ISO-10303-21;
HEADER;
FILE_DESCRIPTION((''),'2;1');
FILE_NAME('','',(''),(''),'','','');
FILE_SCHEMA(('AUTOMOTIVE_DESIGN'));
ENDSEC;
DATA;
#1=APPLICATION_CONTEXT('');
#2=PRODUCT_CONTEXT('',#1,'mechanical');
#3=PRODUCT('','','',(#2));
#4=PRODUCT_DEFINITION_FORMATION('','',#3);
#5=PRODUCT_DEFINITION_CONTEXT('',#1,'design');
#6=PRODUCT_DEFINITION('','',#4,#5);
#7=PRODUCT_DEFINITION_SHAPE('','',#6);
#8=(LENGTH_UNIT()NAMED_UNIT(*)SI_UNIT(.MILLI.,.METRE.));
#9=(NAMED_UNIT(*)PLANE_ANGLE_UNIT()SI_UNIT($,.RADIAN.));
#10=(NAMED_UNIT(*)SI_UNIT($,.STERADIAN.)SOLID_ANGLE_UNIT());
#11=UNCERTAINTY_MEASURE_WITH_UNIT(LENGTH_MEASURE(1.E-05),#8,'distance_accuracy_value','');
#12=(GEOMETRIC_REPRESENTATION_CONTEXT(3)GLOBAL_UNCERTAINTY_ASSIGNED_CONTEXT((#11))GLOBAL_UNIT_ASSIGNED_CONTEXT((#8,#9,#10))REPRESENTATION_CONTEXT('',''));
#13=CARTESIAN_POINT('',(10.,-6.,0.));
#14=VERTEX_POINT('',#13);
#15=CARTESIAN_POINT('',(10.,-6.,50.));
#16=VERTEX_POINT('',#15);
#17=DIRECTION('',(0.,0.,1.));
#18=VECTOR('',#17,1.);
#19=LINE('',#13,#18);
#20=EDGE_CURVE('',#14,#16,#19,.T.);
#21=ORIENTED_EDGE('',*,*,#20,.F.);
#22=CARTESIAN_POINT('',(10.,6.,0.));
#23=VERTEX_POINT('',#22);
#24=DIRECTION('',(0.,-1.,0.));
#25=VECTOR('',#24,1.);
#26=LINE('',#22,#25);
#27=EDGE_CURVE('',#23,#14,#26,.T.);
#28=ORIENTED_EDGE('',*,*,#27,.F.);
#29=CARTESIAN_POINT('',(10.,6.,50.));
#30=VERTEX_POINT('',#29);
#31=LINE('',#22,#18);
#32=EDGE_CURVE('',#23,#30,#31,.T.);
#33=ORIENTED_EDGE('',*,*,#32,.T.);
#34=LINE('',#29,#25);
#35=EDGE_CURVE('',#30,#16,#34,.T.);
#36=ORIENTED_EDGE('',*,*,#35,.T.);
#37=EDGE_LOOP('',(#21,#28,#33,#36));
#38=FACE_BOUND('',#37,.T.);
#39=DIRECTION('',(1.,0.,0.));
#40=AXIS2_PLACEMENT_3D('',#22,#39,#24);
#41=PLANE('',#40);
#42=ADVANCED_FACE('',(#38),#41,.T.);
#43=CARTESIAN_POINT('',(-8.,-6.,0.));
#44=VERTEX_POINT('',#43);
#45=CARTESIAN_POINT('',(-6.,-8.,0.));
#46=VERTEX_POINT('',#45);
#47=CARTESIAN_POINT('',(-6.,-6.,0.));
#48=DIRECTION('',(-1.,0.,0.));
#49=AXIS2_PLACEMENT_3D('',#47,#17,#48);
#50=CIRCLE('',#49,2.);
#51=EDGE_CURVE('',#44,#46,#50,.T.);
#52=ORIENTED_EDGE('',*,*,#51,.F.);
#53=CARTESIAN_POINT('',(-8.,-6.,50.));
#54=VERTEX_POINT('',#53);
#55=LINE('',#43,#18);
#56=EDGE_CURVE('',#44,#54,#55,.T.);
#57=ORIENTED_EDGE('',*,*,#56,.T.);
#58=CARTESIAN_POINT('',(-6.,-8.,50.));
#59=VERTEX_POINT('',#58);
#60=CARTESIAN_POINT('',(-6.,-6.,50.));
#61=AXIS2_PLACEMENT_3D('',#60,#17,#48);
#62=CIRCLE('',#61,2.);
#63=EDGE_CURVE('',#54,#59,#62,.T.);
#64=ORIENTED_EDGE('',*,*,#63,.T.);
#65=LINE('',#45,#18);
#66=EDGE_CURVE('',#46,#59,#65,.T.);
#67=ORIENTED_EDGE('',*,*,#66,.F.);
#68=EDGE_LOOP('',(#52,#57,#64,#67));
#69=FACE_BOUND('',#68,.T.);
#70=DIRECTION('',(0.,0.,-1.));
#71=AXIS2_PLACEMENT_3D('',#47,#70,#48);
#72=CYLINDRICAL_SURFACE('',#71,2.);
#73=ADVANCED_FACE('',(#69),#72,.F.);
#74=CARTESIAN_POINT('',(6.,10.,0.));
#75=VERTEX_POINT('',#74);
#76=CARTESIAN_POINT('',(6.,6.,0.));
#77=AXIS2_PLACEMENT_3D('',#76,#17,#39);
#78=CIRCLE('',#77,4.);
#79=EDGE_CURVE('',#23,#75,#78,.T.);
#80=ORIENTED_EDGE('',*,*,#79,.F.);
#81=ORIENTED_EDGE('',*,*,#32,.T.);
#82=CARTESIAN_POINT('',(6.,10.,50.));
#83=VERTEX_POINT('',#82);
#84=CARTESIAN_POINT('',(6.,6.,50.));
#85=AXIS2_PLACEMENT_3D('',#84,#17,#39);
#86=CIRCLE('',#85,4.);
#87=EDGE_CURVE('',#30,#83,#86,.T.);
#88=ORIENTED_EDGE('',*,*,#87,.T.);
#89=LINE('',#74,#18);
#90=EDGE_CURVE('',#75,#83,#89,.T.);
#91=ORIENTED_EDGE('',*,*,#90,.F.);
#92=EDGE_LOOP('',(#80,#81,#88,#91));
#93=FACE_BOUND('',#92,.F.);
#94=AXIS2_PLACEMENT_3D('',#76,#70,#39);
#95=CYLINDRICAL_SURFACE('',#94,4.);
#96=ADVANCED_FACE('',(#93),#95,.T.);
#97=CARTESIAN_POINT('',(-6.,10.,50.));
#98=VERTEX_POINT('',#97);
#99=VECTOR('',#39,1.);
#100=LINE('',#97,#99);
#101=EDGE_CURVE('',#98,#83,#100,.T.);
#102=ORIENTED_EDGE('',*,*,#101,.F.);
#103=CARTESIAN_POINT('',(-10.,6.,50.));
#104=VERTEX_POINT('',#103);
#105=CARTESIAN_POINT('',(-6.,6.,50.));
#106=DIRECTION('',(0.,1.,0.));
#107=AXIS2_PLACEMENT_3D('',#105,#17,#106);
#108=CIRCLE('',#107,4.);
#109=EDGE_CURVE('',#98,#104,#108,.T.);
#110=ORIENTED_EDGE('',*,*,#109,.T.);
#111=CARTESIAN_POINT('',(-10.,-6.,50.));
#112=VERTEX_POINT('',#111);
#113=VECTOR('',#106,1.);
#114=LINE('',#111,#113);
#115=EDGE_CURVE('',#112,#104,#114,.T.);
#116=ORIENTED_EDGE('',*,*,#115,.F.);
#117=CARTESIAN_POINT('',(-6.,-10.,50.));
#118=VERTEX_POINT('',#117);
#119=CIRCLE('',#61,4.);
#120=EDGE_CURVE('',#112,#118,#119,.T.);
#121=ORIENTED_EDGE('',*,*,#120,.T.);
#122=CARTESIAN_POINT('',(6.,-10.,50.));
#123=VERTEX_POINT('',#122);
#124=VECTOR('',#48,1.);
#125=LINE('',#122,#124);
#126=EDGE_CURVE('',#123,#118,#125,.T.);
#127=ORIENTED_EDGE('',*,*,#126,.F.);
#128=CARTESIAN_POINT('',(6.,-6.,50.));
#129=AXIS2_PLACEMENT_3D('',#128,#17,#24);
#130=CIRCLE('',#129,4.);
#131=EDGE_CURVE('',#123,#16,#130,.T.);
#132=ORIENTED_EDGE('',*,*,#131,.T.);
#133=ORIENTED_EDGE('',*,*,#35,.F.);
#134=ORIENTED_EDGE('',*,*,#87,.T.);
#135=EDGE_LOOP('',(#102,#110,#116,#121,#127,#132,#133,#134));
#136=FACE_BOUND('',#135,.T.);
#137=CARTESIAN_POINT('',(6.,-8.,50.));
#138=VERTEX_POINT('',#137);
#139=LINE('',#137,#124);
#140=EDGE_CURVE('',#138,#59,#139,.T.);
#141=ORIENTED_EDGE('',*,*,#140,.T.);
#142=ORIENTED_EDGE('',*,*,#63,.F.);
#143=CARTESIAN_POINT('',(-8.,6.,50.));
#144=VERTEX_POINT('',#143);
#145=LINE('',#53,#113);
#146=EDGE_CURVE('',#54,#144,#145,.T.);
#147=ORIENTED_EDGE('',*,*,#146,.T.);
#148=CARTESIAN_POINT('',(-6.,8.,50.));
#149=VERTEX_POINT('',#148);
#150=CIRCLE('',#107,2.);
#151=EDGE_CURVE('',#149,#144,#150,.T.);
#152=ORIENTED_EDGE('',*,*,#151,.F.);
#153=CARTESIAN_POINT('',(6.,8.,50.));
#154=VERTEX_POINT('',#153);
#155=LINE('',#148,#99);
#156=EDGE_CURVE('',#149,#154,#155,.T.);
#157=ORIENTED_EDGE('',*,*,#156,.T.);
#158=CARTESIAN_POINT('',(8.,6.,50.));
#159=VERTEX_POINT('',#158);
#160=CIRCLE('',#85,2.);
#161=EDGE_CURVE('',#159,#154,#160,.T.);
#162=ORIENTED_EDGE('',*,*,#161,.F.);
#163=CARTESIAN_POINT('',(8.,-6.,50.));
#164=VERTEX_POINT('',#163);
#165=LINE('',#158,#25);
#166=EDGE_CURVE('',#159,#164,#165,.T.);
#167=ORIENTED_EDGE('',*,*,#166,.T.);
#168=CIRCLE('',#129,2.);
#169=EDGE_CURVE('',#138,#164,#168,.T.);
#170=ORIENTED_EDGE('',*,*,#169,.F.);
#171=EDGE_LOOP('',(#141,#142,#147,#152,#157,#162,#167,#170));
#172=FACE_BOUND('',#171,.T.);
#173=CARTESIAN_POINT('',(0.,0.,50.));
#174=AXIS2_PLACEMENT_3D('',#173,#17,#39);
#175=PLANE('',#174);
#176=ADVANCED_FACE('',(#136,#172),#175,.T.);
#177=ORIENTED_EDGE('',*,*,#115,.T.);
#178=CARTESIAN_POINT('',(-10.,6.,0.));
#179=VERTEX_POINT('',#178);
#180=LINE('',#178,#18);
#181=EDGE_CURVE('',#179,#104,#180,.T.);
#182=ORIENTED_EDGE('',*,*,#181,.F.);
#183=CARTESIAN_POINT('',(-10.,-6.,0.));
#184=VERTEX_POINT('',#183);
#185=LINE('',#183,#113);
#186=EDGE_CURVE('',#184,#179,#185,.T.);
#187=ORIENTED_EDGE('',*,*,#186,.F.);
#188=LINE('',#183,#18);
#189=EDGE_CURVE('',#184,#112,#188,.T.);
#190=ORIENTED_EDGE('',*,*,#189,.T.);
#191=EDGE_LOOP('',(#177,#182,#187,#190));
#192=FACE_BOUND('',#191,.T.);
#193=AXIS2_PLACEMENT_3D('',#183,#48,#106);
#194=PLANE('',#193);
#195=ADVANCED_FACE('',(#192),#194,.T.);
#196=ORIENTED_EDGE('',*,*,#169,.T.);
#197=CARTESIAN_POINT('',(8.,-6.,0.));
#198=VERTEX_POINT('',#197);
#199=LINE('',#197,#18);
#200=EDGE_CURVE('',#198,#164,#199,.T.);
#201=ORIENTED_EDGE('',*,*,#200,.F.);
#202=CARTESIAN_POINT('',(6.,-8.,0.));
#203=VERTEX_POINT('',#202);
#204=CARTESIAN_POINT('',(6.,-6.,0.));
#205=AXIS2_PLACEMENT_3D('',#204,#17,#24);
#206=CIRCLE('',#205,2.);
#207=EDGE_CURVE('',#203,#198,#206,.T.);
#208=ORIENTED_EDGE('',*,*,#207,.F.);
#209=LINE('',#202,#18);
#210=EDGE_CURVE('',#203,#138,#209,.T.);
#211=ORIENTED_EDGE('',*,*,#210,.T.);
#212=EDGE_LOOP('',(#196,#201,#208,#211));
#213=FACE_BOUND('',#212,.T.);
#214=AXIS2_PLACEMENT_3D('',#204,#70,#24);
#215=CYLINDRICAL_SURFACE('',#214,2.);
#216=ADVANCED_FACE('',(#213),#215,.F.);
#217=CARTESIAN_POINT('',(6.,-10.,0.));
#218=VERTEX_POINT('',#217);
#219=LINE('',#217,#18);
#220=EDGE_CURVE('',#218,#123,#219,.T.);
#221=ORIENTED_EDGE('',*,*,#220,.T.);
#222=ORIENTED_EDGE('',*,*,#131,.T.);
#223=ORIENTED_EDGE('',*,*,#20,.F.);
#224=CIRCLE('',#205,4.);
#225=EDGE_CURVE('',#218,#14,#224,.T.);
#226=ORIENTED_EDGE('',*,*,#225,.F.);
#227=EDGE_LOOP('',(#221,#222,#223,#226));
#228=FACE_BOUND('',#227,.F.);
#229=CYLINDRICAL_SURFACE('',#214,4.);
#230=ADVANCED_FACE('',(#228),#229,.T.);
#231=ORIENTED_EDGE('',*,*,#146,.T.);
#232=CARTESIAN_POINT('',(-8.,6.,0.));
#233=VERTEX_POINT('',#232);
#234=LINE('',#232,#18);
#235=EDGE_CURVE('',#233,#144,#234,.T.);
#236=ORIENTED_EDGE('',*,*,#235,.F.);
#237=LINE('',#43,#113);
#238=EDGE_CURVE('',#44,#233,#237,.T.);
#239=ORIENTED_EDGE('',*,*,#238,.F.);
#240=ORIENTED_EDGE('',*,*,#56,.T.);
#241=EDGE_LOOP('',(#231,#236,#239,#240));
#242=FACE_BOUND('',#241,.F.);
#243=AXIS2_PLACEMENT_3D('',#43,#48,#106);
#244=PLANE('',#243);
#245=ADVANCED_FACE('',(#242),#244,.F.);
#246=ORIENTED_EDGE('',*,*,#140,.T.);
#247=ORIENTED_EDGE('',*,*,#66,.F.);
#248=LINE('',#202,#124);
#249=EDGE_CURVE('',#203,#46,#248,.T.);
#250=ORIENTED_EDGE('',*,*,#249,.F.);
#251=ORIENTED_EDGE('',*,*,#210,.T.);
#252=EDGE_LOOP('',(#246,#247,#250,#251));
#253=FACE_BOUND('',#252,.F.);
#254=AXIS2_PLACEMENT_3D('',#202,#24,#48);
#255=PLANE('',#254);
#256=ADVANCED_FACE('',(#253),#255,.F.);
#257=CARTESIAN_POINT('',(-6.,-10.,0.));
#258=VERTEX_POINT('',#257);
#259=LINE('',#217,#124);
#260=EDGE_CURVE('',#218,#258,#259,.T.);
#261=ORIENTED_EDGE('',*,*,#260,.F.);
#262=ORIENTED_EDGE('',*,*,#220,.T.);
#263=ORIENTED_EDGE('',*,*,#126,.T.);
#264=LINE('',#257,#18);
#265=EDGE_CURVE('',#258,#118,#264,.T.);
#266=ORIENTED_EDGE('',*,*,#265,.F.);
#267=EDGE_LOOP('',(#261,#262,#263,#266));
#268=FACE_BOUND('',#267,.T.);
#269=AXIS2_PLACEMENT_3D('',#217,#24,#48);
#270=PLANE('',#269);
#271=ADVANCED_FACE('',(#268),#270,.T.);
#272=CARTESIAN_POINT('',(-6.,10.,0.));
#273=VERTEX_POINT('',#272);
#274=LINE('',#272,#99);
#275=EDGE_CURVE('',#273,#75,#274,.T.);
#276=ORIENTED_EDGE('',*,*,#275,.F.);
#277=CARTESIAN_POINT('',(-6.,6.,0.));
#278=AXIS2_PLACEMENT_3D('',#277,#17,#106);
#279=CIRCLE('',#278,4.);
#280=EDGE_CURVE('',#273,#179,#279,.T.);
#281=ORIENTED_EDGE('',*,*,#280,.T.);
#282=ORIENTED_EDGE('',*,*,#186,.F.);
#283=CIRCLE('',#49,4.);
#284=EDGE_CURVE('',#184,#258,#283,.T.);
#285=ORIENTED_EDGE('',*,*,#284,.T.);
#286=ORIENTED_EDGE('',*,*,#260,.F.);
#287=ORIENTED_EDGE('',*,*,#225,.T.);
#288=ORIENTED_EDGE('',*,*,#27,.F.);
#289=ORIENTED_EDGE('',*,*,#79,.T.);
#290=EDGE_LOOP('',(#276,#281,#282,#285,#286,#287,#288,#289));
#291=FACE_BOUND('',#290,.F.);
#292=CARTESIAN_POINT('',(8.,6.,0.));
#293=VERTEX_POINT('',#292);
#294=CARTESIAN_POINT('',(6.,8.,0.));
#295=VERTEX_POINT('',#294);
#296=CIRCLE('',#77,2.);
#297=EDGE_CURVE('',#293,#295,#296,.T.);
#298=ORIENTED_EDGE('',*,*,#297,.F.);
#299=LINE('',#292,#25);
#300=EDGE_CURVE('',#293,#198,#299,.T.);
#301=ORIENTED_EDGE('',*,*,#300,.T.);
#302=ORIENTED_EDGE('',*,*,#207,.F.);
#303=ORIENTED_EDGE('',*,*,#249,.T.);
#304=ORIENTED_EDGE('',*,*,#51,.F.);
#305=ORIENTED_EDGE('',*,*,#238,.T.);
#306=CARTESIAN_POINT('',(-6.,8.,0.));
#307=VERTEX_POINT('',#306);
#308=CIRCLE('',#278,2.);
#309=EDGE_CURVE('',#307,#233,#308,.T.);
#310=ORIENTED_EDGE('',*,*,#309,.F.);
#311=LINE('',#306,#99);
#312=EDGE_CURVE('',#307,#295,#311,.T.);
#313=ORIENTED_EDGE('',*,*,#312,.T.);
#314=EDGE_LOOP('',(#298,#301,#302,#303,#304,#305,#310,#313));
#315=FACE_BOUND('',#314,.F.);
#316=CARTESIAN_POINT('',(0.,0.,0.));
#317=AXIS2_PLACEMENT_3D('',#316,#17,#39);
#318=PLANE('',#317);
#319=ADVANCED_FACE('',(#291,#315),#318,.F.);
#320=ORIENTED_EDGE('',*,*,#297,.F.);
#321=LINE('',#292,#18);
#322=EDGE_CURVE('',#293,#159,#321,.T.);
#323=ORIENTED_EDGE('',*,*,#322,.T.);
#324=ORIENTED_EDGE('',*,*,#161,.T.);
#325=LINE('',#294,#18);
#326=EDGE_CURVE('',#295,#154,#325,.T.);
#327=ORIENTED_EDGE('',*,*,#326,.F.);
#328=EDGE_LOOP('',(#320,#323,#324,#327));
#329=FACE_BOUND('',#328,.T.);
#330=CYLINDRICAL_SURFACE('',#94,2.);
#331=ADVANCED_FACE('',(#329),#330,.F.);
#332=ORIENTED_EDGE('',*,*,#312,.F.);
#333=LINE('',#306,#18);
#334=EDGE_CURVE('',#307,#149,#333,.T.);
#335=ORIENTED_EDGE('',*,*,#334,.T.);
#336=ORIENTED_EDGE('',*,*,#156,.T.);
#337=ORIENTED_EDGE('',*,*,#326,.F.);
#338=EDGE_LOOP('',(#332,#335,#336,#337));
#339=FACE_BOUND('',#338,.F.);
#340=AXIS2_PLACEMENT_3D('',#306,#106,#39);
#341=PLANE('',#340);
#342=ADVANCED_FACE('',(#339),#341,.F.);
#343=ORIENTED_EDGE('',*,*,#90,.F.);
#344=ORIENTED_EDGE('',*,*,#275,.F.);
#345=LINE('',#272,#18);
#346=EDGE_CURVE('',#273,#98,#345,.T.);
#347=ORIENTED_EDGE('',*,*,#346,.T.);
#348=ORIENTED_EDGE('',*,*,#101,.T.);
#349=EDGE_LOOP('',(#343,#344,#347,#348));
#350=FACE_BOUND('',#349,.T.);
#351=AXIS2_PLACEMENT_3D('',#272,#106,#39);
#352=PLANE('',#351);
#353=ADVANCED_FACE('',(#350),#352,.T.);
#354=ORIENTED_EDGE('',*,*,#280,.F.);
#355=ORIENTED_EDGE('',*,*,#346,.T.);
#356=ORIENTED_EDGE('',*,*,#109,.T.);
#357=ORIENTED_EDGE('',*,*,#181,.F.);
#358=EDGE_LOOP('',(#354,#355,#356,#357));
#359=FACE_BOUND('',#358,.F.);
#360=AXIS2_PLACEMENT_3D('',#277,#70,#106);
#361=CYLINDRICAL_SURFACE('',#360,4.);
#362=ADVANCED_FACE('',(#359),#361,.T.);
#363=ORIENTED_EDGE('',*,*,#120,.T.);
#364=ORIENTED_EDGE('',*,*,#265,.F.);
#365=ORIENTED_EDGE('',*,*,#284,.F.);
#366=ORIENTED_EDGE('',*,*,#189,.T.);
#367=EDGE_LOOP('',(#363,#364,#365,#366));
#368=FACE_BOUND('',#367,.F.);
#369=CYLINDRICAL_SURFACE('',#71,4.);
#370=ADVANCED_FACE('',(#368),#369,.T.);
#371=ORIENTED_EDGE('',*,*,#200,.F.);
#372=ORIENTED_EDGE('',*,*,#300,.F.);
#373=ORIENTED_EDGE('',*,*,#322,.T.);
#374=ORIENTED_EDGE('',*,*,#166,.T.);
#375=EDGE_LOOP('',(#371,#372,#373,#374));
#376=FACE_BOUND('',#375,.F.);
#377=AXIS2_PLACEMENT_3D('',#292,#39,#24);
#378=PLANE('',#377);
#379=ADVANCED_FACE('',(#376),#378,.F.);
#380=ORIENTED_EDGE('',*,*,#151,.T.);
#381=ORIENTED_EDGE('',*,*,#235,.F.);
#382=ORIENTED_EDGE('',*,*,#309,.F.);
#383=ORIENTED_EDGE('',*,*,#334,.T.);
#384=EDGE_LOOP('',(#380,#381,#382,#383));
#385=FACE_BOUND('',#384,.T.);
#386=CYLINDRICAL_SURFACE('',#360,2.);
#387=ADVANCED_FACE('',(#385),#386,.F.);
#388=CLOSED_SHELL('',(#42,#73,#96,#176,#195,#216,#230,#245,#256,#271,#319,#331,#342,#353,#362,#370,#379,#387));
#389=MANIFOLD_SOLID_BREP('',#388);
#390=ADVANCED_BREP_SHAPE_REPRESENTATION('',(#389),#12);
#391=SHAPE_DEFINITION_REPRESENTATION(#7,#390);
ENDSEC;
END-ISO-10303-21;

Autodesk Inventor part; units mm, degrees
ref_plane "YZ Plane" through (0, 0, 0) normal (1, 0, 0) x (0, 1, 0)
ref_plane "Plan de départ" through (0, 0, 0) normal (0, 0, 1) x (1, 0, 0)
ref_plane "Plan de fin" through (0, 0, 50) normal (0, 0, 1) x (1, 0, 0)
sketch "Esquisse" plane through (0, 0, 0) normal (0, 0, 1) x (1, 0, 0)
  line L0 (-10, -6) -> (-10, 6)
  line L1 (-6, 10) -> (6, 10)
  line L2 (10, 6) -> (10, -6)
  line L3 (6, -10) -> (-6, -10)
  arc A0 (-10, -6) -> (-6, -10) centre (-6, -6) ccw
  arc A1 (10, 6) -> (6, 10) centre (6, 6) ccw
  arc A2 (-6, 10) -> (-10, 6) centre (-6, 6) ccw
  arc A3 (6, -10) -> (10, -6) centre (6, -6) ccw
  arc A4 (-6, 8) -> (-8, 6) centre (-6, 6) ccw
  line L4 (-6, 8) -> (6, 8)
  arc A5 (8, 6) -> (6, 8) centre (6, 6) ccw
  line L5 (8, 6) -> (8, -6)
  arc A6 (6, -8) -> (8, -6) centre (6, -6) ccw
  line L6 (6, -8) -> (-6, -8)
  arc A7 (-8, -6) -> (-6, -8) centre (-6, -6) ccw
  line L7 (-8, -6) -> (-8, 6)
  line L8 (0, 15.1598) -> (0, -15.1598) construction
  line L9 (-15.1598, 0) -> (15.1598, 0) construction
  dimension "d7" = 4
  dimension "d9" = 20
  dimension "d11" = 20
  dimension "d12" = 2
  dimension "d15" = 10
  dimension "d16" = 10
extrude "Corps" add sketch "Esquisse" along normal up to surface (50 mm away) from surface at 0
sketch "Sketch3" plane through (0, 0, 0) normal (0, 0, 1) x (1, 0, 0)
  line L0 (0, 0) -> (10, 0)
ref_plane "Work Plane3" through (0, 0, 0) normal (0, -1, 0) x (1, 0, 0)
sketch "Sketch4" plane through (0, 0, 0) normal (0, -1, 0) x (1, 0, 0)
  line L0 (-2, 0) -> (12, 0) projected
  line L1 (-2, 50) -> (12, 50) projected
  dimension "d18" = 50
equation "\"d7\" = G_IR"
equation "\"d9\" = G_W"
equation "\"d11\" = G_H"
equation "\"d12\" = G_T"
equation "\"d15\" = 0.5 * d9"
equation "\"d16\" = 0.5 * d11"
equation "\"d3\" = G_L"
equation "\"G_W\" = 20"
equation "\"G_H\" = 20"
equation "\"G_T\" = 2"
equation "\"G_IR\" = 4"
equation "\"G_L\" = d18"
equation "\"G_OFFSET_START\" = 0"
equation "\"G_OFFSET_END\" = 0"
properties part number "ISO 10799-2 - 20x20x2 - 50" material "Acier, doux"
